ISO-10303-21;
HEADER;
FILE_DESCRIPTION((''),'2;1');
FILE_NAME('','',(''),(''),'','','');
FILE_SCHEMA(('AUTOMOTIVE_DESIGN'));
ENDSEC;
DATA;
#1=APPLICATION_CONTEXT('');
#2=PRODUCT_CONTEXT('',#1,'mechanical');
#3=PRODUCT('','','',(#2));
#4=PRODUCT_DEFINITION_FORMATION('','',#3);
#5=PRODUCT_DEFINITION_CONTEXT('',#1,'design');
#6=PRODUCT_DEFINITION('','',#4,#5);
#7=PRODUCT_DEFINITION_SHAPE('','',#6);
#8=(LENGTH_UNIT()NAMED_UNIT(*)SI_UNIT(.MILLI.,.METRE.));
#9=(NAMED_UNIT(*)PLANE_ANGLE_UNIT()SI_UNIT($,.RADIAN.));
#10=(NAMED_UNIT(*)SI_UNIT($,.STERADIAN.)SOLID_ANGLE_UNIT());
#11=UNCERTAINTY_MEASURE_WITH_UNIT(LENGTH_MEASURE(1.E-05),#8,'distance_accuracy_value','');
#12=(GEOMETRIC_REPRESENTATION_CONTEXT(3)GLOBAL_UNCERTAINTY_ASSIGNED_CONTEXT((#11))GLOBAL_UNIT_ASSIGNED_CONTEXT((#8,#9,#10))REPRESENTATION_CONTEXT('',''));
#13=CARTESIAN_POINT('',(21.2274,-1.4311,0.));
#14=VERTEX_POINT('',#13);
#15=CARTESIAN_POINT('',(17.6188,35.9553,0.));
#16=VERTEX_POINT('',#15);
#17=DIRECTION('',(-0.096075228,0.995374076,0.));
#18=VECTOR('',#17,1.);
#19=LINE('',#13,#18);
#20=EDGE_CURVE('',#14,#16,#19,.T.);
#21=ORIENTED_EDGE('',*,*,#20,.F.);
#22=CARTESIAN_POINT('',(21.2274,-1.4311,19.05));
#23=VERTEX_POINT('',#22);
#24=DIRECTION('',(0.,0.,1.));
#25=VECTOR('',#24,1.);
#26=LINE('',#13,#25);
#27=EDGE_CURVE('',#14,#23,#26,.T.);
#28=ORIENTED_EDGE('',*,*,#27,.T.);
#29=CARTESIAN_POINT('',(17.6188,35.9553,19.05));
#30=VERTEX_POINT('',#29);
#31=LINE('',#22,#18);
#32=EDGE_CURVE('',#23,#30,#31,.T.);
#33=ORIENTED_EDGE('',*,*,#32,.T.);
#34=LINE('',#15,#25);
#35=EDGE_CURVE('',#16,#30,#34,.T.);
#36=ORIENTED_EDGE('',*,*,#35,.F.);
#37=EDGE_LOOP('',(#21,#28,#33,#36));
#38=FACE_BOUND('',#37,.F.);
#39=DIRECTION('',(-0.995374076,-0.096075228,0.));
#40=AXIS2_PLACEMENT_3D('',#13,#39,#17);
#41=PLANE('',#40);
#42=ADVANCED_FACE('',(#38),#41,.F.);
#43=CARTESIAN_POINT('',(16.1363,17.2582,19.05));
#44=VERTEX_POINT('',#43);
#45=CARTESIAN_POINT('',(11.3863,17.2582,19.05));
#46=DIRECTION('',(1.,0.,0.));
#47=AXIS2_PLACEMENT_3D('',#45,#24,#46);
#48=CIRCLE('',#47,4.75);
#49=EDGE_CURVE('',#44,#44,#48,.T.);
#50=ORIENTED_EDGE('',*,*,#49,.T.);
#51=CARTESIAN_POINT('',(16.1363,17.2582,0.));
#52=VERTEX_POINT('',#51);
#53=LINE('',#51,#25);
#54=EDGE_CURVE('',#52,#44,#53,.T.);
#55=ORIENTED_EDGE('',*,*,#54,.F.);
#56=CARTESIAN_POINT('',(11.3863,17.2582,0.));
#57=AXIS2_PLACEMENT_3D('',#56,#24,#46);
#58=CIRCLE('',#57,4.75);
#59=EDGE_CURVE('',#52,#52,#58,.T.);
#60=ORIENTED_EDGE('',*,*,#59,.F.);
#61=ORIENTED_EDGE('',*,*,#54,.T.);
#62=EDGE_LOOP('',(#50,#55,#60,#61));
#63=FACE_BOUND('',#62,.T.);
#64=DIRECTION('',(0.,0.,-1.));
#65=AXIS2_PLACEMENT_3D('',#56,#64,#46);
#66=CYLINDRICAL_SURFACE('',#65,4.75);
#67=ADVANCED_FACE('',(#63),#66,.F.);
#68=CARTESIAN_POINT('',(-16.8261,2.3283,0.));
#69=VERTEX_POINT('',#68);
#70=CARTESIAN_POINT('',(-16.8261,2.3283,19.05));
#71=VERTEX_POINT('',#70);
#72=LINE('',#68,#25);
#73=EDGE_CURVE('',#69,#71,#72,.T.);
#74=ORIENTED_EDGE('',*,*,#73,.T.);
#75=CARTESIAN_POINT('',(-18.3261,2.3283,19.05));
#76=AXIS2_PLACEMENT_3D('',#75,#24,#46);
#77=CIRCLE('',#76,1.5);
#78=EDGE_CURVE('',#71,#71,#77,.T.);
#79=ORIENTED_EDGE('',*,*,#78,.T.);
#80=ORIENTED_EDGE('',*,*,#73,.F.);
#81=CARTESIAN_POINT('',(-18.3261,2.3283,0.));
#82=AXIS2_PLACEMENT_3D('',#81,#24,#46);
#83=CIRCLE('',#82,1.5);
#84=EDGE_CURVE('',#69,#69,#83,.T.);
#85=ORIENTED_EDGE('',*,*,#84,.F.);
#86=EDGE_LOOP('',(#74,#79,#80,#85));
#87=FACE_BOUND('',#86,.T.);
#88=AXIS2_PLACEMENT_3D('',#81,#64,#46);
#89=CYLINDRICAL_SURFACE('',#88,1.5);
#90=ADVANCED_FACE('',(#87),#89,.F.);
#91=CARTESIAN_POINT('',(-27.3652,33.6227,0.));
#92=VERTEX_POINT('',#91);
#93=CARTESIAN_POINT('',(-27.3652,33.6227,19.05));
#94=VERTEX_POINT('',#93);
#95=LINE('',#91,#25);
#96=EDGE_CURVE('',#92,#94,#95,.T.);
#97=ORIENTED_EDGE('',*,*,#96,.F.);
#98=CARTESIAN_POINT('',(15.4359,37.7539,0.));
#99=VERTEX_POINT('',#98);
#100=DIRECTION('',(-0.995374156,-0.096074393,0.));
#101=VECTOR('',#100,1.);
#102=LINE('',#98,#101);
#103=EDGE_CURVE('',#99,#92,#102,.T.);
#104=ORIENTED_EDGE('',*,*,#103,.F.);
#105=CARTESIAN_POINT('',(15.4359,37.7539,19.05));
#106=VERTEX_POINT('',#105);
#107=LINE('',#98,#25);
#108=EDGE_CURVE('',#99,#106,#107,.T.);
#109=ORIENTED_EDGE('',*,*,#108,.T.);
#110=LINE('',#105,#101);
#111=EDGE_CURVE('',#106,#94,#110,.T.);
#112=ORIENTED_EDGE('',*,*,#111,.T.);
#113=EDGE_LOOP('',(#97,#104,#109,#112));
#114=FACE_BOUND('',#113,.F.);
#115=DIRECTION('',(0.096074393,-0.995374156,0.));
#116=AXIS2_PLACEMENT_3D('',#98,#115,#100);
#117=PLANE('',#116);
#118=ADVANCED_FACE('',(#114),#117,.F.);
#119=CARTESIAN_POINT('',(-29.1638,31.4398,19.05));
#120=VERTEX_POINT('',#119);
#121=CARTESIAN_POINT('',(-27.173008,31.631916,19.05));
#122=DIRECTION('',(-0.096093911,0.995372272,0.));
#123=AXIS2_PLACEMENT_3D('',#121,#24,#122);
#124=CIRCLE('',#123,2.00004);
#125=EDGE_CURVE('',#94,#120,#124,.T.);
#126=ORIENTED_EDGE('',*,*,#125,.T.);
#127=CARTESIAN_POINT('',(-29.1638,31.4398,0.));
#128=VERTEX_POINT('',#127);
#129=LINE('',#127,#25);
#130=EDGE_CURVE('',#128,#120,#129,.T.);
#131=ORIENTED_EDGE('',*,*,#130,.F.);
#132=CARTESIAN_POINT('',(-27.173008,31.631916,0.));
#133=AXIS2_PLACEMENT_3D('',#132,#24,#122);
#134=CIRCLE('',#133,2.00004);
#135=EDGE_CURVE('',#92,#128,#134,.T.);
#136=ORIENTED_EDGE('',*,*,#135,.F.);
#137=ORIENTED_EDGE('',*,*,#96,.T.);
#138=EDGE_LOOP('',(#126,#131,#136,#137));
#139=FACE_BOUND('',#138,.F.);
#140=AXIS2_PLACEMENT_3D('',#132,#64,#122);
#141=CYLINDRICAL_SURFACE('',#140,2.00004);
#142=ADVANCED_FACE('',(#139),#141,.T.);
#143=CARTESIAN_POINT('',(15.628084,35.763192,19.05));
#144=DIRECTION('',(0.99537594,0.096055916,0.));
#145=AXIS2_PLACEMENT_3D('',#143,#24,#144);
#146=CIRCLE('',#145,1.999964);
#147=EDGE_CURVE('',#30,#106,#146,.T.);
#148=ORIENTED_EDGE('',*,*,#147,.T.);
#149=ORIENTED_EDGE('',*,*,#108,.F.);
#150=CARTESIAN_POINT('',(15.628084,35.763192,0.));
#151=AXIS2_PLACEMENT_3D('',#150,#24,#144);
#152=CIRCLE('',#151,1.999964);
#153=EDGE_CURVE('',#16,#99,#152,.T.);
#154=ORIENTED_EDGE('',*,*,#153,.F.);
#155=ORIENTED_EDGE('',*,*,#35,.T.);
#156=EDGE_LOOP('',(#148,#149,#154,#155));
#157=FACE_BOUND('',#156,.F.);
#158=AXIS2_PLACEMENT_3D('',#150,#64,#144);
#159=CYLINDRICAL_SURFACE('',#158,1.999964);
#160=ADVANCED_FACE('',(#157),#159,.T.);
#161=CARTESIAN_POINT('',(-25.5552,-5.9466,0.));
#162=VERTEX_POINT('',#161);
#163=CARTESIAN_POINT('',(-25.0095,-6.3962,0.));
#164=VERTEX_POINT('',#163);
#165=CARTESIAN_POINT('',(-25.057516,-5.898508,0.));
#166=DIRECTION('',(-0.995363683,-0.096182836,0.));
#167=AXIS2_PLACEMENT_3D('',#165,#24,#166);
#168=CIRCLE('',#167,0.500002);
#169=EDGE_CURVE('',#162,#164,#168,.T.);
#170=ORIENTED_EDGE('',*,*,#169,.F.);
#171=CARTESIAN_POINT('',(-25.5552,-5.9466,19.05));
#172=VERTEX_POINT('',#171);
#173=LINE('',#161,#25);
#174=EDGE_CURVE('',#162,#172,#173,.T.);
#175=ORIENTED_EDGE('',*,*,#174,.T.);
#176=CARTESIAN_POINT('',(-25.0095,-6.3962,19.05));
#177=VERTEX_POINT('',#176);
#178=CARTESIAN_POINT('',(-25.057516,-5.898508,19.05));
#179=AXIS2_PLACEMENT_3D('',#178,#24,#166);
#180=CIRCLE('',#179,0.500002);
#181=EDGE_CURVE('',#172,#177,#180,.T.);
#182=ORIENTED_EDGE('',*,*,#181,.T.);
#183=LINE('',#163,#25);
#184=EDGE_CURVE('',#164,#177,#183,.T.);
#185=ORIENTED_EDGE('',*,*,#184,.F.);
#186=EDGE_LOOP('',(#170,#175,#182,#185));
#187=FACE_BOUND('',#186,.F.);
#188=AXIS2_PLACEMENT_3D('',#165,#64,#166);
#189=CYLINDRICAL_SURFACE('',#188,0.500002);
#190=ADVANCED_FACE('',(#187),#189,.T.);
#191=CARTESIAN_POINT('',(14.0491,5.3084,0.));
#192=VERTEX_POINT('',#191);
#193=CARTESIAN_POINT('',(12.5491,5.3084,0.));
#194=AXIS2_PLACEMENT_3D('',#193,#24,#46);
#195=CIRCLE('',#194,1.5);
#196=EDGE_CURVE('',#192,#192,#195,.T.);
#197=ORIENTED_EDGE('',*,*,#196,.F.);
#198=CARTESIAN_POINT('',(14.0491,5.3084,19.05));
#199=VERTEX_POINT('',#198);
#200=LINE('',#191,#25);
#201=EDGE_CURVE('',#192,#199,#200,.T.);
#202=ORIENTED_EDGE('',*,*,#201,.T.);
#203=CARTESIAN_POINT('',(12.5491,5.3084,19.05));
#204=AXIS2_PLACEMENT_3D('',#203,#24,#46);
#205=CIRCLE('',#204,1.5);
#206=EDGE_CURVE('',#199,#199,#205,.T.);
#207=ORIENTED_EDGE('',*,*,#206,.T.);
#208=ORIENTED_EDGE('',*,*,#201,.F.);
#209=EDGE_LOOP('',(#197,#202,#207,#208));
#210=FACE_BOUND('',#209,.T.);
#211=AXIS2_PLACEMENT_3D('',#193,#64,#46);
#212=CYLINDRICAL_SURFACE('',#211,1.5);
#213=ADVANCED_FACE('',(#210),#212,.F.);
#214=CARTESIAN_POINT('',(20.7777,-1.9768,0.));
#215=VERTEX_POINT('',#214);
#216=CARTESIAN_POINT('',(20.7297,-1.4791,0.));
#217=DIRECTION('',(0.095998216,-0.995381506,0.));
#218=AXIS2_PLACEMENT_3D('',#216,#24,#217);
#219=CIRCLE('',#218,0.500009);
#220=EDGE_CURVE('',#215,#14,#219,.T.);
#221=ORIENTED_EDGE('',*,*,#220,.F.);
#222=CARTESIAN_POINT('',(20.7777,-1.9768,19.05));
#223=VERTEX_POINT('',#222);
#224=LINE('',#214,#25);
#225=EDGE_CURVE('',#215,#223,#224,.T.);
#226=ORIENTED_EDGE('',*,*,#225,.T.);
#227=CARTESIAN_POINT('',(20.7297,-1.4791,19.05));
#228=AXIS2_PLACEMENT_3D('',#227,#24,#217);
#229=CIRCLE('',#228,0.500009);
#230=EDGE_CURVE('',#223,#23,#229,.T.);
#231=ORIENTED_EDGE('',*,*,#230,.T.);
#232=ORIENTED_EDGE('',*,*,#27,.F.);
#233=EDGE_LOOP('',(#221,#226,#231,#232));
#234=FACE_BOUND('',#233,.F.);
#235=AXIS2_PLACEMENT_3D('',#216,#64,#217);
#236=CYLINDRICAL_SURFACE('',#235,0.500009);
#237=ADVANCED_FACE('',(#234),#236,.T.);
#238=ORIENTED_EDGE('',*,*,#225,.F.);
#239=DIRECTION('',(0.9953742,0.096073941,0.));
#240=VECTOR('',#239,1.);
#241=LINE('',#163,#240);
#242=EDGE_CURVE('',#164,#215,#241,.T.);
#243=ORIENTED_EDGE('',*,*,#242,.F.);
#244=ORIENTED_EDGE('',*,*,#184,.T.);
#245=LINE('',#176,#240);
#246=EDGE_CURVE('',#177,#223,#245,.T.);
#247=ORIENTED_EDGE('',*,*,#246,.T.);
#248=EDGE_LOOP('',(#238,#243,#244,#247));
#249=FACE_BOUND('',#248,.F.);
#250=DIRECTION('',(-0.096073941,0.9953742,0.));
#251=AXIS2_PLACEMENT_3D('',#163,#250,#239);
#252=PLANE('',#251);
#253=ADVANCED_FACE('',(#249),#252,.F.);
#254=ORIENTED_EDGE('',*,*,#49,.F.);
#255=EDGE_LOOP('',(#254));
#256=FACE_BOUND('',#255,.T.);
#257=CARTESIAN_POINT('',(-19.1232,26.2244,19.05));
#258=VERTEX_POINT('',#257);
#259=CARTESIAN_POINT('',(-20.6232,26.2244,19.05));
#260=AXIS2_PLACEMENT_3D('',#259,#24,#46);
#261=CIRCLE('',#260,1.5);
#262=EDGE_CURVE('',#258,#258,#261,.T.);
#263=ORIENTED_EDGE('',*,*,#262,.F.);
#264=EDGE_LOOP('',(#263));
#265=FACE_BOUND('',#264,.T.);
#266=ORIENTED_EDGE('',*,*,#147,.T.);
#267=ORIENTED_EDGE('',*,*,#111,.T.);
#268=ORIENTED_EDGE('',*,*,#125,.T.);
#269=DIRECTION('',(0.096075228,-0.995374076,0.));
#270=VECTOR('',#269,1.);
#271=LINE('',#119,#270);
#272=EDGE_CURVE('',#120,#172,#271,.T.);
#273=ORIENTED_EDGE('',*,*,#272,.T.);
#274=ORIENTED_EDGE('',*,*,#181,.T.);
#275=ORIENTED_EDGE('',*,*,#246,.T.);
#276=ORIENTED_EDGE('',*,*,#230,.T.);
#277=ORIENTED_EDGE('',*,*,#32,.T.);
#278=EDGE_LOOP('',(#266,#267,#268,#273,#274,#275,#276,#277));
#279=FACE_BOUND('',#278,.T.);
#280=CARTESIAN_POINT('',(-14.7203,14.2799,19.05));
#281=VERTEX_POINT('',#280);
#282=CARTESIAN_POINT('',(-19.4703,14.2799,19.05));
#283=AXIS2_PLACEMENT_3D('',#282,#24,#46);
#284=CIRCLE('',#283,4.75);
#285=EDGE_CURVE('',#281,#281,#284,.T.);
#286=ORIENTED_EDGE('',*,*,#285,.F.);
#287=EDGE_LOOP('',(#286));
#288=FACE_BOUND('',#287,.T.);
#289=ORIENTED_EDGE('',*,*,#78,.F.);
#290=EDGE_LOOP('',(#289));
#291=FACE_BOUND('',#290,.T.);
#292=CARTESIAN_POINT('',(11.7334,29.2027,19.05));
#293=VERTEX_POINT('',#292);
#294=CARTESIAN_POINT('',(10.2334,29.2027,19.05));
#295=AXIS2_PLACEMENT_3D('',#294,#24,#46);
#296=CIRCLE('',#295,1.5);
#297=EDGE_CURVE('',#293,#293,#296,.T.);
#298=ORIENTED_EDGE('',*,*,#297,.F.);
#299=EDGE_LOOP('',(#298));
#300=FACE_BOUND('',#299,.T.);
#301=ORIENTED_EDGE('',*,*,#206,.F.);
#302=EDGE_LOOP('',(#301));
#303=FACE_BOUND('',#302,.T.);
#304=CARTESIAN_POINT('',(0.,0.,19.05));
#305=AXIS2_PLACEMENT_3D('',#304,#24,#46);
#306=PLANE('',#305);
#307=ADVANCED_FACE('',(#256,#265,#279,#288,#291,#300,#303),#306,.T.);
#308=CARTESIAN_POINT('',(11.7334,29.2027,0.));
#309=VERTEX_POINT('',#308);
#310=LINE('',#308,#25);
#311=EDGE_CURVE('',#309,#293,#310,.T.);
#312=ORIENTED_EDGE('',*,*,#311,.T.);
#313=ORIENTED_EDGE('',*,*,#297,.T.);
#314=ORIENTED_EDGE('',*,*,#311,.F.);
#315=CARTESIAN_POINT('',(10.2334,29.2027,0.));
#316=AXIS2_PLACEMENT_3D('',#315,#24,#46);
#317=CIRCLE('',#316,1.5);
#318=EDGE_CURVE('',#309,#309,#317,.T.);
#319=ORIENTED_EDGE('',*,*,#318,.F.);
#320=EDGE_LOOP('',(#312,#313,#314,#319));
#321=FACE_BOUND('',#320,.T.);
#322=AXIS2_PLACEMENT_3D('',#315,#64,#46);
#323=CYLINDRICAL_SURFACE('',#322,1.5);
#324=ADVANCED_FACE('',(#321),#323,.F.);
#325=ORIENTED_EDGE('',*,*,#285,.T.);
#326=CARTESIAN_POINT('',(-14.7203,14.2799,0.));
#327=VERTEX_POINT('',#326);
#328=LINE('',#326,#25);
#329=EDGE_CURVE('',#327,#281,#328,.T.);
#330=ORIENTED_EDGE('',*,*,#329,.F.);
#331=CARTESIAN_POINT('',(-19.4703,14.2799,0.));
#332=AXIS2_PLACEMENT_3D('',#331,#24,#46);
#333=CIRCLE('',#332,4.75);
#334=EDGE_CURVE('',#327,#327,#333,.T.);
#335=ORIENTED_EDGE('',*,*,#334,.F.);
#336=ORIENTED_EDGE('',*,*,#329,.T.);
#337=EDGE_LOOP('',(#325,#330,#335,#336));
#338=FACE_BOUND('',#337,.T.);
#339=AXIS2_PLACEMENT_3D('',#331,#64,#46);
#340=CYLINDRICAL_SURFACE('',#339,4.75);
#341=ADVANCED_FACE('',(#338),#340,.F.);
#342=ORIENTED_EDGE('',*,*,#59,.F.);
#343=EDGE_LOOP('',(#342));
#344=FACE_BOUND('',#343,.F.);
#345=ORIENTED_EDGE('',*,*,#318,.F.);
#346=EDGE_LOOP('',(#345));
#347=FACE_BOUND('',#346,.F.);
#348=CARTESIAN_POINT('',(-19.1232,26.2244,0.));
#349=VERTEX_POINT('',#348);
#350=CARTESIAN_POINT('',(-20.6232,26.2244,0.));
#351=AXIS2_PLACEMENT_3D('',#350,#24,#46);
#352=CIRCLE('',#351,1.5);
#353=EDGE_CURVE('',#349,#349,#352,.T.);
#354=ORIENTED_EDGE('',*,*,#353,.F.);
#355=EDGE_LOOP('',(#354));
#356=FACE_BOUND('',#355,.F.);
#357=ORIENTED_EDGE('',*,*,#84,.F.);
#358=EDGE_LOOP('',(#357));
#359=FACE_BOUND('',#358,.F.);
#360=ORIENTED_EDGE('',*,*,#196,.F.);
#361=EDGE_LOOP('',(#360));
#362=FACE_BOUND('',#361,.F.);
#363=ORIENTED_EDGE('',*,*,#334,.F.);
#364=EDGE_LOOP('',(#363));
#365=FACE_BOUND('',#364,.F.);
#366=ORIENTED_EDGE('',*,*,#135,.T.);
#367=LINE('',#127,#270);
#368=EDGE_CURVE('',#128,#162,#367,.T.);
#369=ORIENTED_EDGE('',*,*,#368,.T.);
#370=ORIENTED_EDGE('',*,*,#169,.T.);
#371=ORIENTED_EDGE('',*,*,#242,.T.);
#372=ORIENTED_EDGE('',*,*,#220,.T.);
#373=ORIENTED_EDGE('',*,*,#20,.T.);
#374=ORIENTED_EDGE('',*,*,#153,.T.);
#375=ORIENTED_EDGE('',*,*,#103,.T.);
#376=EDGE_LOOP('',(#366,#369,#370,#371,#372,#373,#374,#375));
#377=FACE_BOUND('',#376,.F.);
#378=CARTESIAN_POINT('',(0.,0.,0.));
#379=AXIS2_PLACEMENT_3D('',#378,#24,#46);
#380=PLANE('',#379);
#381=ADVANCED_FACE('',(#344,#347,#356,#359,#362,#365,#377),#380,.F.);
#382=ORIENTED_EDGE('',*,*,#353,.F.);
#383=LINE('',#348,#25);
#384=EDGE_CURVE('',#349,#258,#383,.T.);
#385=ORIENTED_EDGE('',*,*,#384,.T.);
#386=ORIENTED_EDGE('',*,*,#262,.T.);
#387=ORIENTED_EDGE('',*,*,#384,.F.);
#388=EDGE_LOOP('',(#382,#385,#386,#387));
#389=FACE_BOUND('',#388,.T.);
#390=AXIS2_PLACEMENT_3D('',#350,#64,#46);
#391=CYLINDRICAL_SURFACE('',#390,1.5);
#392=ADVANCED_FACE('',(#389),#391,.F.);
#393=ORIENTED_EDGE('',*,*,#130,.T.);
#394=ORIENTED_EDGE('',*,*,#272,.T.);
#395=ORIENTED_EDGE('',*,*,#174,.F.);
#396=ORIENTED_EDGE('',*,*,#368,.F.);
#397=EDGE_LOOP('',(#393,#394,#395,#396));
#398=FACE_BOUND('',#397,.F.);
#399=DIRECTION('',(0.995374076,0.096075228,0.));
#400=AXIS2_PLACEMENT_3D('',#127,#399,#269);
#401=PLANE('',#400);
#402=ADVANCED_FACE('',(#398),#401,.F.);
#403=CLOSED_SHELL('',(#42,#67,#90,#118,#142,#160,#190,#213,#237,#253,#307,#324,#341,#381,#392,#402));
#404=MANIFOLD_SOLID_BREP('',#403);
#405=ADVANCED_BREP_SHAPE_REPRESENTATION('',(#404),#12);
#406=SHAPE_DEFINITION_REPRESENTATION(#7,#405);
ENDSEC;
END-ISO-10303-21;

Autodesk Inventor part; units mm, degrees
ref_plane "YZ Plane" through (0, 0, 0) normal (1, 0, 0) x (0, 1, 0)
ref_plane "XZ Plane" through (0, 0, 0) normal (0, 1, 0) x (-1, 0, 0)
ref_plane "XY Plane" through (0, 0, 0) normal (0, 0, 1) x (1, 0, 0)
sketch "Sketch1" plane through (0, 0, 0) normal (0, 0, 1) x (1, 0, 0)
  arc A0 (17.6188, 35.9553) -> (15.4359, 37.7539) centre (15.6281, 35.7632) ccw projected
  line L0 (15.4359, 37.7539) -> (-27.3652, 33.6227) projected
  arc A1 (-27.3652, 33.6227) -> (-29.1638, 31.4398) centre (-27.173, 31.6319) ccw projected
  line L1 (-29.1638, 31.4398) -> (-25.5552, -5.9466) projected
  arc A2 (-25.5552, -5.9466) -> (-25.0095, -6.3962) centre (-25.0575, -5.8985) ccw projected
  line L2 (-25.0095, -6.3962) -> (20.7777, -1.9768) projected
  arc A3 (20.7777, -1.9768) -> (21.2274, -1.4311) centre (20.7297, -1.4791) ccw projected
  line L3 (21.2274, -1.4311) -> (17.6188, 35.9553) projected
  circle A4 centre (-19.4703, 14.2799) radius 4.75 projected
  circle A5 centre (11.3863, 17.2582) radius 4.75 projected
  circle A6 centre (-18.3261, 2.3283) radius 1.25 projected
  circle A7 centre (10.2334, 29.2027) radius 1.25 projected
  circle A8 centre (-20.6232, 26.2244) radius 1.25 projected
  circle A9 centre (12.5491, 5.3084) radius 1.25 projected
  circle A10 centre (-18.3261, 2.3283) radius 1.5
  circle A11 centre (12.5491, 5.3084) radius 1.5
  circle A12 centre (10.2334, 29.2027) radius 1.5
  circle A13 centre (-20.6232, 26.2244) radius 1.5
  point P0 (0, 0)
  dimension "d0" = 3
  dimension "d1" = 3
  dimension "d3" = 3
  dimension "d6" = 3
extrude "Extrusion1" add sketch "Sketch1" along normal blind 19.05 contours L3 A3 L2 A2 L1 A1 L0 A0
properties part number "Head Spacer Plate"
